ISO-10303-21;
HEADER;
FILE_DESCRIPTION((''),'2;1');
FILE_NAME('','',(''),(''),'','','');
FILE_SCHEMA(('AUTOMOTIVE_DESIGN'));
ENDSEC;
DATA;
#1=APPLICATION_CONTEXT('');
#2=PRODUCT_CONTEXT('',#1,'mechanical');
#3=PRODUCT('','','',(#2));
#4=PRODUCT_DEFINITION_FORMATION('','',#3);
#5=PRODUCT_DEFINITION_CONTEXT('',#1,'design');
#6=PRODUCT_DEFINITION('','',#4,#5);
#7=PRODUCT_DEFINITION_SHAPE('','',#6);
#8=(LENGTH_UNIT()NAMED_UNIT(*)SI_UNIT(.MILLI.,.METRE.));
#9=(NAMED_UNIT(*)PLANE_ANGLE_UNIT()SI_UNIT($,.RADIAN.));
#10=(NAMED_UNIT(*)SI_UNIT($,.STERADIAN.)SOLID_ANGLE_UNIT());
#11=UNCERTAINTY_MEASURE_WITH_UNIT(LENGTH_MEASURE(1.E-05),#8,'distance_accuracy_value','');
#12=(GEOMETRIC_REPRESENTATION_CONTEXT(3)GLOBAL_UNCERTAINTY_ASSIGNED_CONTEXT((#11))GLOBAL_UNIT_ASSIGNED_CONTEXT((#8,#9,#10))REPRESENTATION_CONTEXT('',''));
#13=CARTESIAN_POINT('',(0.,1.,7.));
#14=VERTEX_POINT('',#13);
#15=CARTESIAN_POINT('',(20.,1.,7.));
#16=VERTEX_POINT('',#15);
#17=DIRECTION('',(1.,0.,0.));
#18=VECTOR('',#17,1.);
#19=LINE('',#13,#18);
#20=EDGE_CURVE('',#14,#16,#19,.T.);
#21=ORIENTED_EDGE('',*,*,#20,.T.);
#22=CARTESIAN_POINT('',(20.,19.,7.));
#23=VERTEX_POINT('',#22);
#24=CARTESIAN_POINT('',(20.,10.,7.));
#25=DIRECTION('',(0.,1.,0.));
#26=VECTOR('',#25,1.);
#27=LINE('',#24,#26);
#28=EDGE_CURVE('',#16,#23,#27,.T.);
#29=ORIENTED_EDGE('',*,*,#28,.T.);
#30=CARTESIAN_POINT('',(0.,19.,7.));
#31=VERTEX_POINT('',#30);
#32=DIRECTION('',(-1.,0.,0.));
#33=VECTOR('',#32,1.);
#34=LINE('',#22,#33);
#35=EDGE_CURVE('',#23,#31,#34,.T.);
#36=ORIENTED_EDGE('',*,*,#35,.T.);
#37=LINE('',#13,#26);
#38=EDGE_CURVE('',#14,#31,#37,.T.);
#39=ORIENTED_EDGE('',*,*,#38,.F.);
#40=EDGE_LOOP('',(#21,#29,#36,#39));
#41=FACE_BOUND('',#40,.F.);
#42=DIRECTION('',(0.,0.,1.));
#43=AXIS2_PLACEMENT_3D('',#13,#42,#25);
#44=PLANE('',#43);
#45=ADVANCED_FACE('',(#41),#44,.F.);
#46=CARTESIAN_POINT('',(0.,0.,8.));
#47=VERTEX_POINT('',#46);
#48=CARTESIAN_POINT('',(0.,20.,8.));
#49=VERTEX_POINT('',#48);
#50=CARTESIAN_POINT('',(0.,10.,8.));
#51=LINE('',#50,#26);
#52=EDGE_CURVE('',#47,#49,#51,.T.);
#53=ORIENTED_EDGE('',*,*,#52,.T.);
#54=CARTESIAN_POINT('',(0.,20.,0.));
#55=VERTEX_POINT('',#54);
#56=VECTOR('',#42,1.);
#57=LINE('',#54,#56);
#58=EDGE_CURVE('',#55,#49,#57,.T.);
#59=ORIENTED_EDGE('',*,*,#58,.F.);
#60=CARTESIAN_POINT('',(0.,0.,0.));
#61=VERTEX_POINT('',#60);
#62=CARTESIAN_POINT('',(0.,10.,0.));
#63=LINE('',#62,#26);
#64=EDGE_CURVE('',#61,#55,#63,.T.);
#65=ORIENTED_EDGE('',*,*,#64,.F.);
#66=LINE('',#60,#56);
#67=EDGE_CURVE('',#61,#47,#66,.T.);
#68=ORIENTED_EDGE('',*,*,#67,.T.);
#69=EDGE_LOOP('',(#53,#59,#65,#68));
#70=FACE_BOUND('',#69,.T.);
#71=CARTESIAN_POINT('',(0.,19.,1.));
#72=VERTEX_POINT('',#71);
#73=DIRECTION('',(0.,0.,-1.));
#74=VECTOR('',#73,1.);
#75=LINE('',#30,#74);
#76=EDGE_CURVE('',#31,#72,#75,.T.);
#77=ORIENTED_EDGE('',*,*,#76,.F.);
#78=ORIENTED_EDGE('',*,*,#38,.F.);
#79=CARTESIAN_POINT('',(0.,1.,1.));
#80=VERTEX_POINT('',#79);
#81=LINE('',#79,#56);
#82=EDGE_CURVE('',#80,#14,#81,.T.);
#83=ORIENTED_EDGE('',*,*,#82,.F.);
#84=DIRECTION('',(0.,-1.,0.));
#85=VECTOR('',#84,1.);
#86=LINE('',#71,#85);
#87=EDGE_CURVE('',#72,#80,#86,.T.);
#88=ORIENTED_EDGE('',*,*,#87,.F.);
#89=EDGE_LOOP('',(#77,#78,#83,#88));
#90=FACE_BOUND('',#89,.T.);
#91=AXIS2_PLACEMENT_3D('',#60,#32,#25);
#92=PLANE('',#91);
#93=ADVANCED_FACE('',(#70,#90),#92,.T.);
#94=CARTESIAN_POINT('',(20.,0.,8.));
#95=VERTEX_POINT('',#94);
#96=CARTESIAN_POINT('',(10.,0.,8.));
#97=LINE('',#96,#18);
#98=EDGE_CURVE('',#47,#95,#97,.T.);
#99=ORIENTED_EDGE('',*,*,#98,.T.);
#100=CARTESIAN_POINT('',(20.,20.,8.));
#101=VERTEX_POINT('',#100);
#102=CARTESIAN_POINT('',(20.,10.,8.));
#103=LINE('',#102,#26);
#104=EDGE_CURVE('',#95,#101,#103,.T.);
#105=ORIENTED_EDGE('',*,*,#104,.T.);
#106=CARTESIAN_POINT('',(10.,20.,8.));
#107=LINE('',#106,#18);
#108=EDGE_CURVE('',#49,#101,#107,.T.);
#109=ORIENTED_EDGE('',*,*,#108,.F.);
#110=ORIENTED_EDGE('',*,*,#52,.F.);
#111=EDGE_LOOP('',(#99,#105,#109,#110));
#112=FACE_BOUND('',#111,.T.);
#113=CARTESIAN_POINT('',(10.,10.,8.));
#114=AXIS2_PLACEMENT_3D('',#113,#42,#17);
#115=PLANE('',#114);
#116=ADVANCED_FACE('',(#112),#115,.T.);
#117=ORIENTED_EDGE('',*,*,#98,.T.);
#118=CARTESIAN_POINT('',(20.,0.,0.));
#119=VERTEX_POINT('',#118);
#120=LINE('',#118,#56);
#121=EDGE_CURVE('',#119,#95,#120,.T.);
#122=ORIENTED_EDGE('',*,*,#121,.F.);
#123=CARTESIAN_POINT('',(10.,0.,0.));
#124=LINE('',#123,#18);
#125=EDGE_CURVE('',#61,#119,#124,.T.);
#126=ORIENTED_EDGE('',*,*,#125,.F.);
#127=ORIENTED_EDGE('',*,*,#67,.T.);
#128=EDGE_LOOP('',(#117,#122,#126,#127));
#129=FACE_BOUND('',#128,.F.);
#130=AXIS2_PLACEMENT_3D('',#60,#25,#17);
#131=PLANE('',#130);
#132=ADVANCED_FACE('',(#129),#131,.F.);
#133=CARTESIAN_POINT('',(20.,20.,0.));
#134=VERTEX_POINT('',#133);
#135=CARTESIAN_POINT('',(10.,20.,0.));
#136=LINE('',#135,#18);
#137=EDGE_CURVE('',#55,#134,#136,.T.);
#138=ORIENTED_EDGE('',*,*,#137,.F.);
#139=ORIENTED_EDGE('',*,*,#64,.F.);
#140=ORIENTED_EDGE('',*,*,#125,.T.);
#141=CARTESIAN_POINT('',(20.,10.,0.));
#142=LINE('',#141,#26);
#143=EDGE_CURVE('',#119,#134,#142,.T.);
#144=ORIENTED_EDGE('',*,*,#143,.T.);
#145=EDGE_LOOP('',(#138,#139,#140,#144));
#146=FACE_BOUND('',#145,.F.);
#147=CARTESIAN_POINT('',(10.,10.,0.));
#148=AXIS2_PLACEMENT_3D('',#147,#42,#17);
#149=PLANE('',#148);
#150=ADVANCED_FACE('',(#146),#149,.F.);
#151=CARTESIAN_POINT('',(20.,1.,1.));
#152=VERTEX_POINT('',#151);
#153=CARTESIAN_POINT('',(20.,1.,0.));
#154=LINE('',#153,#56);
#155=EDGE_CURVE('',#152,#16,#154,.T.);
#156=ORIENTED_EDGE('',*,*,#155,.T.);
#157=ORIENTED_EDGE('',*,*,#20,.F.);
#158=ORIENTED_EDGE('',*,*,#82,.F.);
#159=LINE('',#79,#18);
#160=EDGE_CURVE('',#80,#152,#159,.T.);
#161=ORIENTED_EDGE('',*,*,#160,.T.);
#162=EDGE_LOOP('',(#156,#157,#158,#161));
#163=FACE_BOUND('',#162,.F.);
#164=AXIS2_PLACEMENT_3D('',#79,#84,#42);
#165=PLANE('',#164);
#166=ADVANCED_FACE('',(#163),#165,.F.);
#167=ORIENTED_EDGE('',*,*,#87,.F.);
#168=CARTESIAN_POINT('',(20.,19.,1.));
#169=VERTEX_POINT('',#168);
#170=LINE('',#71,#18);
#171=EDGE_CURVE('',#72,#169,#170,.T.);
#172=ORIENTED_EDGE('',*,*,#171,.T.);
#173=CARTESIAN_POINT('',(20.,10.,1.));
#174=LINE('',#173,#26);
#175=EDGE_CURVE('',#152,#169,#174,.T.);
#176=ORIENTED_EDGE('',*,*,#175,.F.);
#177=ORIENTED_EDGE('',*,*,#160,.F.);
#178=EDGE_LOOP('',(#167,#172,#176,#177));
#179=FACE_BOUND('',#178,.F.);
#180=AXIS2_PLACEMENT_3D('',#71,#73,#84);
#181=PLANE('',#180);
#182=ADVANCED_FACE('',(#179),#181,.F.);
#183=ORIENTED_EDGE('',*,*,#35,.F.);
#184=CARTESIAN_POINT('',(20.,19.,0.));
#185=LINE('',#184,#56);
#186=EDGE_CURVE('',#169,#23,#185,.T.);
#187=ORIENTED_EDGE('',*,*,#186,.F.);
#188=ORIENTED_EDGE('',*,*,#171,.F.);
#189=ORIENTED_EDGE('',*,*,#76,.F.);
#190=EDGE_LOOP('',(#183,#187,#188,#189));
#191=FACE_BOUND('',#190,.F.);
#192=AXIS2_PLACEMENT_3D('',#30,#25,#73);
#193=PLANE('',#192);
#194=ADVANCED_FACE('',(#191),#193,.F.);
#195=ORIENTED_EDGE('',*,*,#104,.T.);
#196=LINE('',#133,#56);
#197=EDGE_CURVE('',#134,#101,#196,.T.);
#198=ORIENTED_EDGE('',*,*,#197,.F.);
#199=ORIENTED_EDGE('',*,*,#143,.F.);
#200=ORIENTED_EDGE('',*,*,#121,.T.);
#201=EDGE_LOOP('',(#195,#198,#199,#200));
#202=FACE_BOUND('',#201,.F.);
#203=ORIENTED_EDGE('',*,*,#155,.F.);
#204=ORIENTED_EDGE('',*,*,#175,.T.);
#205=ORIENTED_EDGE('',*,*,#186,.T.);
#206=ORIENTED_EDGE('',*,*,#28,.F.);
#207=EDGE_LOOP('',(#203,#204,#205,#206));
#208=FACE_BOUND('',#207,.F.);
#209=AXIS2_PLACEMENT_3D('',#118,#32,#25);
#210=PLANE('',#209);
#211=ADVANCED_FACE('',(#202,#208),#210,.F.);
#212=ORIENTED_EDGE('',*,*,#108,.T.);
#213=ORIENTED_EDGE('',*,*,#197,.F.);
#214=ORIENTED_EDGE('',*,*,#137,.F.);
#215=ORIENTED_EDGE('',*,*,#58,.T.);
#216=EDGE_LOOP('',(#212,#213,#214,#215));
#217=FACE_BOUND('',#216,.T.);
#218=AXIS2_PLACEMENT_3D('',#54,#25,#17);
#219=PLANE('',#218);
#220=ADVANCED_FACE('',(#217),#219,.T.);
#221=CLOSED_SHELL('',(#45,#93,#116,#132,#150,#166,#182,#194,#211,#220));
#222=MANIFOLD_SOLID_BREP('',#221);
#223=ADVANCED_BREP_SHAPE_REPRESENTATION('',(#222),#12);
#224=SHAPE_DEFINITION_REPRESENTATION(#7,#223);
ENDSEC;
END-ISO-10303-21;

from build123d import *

# Parameters (mm, degrees)
F0_W     = 20
F0_H     = 20
F1_DEPTH = 8
F2_T     = -1
F4_DEPTH = 2


with BuildPart() as f1:
    # F0 (on Top) → F1 (new body)
    with BuildSketch(Plane.XY):
        with Locations((10, 10)):
            Rectangle(F0_W, F0_H)
    extrude(amount=F1_DEPTH)

    # F2
    f2_openings = [f1.faces().sort_by_distance(p)[0] for p in [
        (20, 10, 4),
    ]]
    offset(amount=F2_T, openings=f2_openings)

    # F3 (on face) → F4 (cut)
    with BuildSketch(Plane(origin=(0, 0, 0), x_dir=(0, -1, 0), z_dir=(-1, 0, 0))):
        Polygon((-19, 7), (-19, 4.001057), (-19, 1), (-1, 1), (-1, 7), align=None)
    extrude(amount=-F4_DEPTH, mode=Mode.SUBTRACT)


solid = f1.part
